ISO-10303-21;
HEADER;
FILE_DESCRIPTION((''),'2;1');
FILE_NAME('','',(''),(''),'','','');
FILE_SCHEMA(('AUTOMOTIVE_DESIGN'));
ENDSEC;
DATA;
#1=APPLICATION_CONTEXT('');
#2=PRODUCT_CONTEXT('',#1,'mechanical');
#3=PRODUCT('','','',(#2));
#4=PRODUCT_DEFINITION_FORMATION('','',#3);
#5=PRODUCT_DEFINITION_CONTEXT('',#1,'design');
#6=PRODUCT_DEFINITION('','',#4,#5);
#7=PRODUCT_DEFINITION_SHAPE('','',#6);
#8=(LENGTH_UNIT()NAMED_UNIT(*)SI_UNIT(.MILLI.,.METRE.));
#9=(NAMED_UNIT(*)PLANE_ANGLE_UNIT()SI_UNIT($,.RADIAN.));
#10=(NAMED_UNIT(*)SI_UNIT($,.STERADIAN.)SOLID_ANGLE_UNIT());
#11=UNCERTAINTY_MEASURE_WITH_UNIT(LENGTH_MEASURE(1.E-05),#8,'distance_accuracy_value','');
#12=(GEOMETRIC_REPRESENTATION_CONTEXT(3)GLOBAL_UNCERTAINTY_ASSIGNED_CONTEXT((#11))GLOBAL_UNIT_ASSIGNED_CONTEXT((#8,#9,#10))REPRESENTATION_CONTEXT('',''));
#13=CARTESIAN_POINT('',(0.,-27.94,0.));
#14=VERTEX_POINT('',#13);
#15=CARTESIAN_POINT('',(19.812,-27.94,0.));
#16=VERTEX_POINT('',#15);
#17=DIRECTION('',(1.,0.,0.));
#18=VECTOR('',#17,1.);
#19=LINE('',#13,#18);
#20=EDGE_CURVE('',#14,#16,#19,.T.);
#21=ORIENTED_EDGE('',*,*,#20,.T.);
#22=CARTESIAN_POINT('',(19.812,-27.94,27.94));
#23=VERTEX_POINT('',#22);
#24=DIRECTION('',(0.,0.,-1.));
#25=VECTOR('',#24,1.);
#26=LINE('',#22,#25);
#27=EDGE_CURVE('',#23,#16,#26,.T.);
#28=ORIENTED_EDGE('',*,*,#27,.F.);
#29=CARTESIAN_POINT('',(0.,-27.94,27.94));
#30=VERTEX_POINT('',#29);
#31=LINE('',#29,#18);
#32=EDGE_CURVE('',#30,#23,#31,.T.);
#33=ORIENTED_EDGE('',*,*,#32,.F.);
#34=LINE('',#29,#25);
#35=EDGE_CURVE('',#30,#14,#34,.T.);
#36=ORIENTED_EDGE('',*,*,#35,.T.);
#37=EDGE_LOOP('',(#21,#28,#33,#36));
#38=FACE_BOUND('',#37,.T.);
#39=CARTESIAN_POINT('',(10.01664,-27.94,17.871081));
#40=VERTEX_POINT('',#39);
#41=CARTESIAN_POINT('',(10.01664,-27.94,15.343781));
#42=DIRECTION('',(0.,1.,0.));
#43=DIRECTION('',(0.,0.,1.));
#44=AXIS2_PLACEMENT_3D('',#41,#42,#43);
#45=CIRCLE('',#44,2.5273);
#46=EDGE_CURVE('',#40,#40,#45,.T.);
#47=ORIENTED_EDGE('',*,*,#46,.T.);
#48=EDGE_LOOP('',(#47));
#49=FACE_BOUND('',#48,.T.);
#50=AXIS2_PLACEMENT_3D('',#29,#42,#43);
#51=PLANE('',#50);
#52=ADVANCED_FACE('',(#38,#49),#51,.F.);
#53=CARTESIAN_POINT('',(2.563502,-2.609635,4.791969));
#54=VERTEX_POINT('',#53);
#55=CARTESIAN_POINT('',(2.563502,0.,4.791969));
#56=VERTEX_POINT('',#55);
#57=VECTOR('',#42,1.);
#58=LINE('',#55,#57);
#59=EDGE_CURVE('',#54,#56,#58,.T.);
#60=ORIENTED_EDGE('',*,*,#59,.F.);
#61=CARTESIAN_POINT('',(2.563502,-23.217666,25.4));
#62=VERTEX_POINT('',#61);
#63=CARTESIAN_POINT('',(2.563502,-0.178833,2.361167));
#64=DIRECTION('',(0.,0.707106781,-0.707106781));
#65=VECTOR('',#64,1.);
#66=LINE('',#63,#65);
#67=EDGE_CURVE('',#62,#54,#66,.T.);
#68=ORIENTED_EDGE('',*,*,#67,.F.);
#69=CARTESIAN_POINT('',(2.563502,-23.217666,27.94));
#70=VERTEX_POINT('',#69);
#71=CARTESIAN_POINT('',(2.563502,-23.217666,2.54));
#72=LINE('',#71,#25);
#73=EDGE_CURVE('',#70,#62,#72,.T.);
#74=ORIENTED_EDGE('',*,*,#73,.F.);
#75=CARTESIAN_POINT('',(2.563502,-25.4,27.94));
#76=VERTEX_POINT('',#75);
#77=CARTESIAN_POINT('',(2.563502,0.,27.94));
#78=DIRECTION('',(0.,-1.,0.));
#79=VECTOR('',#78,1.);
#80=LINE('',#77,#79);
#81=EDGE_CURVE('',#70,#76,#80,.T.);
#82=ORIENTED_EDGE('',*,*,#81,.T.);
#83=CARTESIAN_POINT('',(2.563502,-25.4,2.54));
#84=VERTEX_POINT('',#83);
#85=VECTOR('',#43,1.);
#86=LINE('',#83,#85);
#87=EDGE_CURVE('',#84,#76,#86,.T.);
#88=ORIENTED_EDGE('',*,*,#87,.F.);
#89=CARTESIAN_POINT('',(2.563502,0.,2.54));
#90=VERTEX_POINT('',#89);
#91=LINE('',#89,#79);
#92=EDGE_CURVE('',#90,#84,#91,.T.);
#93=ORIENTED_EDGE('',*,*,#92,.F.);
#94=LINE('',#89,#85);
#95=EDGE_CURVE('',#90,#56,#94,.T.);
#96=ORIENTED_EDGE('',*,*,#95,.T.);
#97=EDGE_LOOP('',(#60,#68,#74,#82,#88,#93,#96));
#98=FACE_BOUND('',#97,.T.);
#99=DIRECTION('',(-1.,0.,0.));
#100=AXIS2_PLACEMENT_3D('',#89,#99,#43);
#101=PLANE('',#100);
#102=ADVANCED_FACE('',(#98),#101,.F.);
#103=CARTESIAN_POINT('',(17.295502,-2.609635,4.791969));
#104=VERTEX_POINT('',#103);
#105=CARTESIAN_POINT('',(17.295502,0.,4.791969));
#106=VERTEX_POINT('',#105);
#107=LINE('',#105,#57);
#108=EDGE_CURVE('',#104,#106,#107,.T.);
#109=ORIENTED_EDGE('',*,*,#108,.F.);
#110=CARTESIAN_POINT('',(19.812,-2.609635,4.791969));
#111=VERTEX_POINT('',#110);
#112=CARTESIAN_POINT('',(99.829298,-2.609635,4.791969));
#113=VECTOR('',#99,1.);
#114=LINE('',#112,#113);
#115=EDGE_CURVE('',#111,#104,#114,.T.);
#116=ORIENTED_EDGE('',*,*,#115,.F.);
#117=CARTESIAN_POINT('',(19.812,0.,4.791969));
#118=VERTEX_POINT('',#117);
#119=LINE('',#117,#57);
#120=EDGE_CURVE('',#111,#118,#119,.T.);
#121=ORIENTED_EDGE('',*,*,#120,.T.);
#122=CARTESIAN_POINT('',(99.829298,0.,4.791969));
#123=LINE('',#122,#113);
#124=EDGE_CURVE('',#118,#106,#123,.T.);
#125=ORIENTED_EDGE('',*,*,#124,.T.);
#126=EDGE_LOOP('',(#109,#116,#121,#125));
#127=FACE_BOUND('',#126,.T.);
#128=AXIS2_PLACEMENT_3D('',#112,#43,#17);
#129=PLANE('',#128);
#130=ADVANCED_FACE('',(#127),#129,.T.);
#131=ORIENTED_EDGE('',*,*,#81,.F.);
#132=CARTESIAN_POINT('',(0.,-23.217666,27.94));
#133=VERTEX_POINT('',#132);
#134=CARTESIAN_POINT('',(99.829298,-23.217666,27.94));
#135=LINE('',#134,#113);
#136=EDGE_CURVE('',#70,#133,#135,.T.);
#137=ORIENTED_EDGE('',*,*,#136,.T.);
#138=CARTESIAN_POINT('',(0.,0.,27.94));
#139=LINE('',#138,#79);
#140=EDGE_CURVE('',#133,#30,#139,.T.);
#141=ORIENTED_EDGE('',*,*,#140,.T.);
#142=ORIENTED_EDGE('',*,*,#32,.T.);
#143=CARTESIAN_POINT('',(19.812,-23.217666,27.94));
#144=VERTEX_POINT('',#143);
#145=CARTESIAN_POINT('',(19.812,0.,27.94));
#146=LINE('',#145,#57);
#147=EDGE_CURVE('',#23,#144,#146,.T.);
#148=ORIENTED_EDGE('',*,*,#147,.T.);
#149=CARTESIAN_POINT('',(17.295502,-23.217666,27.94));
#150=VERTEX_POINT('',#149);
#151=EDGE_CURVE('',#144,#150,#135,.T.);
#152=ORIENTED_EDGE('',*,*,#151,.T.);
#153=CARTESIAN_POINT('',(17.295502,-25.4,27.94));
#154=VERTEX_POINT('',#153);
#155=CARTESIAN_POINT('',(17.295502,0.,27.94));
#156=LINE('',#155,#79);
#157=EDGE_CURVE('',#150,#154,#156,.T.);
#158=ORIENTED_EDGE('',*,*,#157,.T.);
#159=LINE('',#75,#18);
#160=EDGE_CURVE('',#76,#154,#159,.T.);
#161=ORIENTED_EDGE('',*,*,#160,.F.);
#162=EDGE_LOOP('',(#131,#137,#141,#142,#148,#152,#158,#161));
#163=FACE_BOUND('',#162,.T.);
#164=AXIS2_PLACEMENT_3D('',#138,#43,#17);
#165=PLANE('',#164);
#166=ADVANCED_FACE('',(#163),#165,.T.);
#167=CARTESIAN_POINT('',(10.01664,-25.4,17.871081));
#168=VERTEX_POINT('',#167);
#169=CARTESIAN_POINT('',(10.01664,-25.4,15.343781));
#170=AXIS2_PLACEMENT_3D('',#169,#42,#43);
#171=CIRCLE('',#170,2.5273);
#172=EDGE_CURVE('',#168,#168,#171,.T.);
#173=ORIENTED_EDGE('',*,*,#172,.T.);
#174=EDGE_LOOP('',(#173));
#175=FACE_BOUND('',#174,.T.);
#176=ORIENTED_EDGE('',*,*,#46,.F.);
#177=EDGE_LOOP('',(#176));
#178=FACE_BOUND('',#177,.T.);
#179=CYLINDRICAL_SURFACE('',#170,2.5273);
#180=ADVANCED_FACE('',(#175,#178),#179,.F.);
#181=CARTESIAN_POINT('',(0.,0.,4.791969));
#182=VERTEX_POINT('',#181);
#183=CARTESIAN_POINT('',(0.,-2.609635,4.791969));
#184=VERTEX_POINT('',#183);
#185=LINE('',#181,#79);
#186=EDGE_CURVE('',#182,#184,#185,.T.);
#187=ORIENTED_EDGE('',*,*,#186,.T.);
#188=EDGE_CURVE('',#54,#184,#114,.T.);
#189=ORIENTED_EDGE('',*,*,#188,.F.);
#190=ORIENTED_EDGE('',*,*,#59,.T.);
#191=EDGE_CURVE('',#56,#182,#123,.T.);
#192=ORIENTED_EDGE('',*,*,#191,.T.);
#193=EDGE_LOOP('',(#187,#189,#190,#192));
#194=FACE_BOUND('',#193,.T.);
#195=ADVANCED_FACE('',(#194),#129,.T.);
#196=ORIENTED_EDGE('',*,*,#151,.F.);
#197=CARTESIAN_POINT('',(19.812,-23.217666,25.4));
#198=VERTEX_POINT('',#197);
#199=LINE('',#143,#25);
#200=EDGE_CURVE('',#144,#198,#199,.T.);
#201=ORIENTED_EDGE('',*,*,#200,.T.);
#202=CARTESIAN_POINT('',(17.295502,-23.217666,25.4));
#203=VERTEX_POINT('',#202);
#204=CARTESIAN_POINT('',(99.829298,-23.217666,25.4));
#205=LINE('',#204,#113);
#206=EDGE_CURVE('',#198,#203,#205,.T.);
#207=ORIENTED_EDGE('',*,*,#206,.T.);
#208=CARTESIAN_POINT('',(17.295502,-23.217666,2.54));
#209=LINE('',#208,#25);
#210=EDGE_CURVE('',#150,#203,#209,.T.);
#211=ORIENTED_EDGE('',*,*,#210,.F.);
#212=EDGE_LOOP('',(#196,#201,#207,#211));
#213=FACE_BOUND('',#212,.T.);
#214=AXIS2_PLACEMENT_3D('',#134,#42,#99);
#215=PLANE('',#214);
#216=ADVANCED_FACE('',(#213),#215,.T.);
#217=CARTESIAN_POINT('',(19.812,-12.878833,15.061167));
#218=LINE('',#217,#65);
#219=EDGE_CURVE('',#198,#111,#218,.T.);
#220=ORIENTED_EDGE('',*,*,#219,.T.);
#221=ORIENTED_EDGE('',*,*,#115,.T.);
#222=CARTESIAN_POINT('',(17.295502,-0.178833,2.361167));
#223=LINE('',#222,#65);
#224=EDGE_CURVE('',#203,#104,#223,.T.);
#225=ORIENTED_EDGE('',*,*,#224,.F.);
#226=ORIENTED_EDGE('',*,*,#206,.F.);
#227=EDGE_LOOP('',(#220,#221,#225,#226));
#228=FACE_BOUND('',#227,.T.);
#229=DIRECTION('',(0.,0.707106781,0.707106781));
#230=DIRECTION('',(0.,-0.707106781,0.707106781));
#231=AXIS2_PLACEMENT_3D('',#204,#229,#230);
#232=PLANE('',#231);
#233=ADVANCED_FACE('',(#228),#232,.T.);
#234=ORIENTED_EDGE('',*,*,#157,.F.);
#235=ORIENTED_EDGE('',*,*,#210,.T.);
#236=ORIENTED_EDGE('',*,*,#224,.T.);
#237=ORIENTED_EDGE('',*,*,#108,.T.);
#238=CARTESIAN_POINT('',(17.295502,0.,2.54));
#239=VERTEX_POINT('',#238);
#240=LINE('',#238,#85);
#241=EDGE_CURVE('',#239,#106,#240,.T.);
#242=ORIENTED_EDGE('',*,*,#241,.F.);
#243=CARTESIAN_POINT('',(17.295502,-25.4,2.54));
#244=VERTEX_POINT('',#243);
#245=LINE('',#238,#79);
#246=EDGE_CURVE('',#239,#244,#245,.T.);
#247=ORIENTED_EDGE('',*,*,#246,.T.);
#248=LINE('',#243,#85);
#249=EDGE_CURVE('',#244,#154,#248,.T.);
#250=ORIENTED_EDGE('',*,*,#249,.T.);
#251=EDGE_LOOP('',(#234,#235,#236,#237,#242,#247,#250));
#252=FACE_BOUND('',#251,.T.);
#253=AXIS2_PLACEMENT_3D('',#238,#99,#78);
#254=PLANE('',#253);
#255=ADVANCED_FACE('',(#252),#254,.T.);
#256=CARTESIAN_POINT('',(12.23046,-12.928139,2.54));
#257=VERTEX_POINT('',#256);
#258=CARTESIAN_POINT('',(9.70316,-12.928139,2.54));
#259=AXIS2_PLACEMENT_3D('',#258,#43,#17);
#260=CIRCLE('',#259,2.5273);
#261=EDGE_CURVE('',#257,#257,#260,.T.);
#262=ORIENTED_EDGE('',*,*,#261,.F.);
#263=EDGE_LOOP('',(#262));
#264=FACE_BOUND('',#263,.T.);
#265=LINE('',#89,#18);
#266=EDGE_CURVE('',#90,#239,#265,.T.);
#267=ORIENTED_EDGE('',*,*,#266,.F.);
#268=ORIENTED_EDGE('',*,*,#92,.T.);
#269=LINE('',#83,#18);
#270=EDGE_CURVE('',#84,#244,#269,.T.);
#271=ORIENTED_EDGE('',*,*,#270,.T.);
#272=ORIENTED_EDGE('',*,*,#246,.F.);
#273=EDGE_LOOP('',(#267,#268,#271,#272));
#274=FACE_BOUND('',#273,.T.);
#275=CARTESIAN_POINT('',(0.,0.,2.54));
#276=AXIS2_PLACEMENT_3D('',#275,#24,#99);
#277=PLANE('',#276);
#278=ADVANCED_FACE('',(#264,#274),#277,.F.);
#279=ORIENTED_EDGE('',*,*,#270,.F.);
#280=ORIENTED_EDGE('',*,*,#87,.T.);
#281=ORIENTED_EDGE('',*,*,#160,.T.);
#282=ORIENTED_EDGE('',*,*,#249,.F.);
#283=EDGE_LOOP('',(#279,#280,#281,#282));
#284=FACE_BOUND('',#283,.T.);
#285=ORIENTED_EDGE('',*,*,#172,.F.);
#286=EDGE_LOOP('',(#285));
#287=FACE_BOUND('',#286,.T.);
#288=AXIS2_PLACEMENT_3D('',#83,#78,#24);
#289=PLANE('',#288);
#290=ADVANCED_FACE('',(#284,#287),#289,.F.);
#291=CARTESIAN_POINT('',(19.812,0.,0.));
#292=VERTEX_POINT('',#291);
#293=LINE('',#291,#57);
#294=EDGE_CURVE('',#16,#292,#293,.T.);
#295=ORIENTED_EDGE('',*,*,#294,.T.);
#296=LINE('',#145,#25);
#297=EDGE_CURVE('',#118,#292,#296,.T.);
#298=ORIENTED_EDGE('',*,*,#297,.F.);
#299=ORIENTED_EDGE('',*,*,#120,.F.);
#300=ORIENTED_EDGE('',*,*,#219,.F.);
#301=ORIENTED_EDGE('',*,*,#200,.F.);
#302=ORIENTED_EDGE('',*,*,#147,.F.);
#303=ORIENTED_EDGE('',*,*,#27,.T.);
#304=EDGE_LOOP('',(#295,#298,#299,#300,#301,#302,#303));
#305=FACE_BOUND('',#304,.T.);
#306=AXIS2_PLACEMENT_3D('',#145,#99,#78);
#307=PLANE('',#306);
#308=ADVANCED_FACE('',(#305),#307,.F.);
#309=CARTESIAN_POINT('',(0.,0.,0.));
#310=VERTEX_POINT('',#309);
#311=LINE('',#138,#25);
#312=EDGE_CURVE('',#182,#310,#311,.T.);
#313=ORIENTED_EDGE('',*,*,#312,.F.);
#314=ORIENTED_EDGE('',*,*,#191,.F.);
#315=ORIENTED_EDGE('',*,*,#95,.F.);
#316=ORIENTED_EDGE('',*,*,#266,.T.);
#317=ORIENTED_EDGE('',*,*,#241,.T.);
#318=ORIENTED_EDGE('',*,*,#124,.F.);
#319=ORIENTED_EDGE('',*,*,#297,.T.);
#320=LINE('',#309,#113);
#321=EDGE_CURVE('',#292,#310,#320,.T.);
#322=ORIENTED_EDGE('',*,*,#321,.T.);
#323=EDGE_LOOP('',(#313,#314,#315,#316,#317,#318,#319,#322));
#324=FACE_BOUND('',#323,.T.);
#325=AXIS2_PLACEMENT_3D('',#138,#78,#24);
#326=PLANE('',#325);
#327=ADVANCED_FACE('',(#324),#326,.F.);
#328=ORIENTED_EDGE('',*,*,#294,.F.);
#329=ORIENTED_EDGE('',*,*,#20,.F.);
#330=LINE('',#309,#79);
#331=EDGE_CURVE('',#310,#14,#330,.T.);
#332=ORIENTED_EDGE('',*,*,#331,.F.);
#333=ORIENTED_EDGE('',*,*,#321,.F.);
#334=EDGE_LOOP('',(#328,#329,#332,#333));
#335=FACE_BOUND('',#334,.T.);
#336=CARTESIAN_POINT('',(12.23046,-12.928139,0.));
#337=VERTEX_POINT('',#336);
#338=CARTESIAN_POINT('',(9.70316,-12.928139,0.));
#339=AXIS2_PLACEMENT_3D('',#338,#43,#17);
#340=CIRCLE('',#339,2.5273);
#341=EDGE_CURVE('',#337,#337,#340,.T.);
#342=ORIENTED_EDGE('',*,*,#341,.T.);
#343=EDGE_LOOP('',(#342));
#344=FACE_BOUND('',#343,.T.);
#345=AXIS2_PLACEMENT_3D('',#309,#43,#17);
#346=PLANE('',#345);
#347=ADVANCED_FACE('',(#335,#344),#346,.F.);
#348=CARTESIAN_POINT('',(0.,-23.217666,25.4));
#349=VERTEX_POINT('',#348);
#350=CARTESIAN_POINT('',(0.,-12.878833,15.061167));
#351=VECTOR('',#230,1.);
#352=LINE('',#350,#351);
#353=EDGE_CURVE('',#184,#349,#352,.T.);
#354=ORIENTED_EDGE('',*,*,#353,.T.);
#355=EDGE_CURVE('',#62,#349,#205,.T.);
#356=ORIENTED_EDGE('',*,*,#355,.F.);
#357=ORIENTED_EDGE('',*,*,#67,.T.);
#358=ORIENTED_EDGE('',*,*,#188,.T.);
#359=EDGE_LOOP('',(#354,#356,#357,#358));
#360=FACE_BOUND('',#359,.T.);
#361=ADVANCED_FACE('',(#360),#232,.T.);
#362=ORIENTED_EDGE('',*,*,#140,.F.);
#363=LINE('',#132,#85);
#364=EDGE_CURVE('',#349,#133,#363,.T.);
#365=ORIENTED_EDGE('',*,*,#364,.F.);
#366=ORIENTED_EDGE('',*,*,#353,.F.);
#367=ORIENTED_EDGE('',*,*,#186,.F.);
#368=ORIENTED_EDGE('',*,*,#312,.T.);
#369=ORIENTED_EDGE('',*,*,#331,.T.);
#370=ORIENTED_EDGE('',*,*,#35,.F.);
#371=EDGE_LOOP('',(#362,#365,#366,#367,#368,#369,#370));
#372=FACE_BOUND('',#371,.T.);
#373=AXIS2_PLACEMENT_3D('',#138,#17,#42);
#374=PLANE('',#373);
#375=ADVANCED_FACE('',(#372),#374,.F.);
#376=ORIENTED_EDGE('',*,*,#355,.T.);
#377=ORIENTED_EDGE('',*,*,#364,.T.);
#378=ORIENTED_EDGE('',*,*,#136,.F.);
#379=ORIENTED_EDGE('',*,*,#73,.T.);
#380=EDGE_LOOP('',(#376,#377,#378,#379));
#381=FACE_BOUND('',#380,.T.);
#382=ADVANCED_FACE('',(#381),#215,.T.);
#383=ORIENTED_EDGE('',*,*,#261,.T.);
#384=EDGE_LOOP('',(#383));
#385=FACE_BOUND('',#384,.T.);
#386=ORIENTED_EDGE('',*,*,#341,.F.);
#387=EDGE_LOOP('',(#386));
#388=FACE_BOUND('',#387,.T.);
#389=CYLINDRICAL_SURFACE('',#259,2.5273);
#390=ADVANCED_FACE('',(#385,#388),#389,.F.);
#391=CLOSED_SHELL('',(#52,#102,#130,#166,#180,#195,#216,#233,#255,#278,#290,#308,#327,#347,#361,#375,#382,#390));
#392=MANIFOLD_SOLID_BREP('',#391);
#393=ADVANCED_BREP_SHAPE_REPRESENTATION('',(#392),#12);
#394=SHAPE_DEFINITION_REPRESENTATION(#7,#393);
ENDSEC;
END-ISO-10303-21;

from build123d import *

# Parameters (mm, degrees)
SKETCH1_W                  = 19.812
SKETCH1_H                  = 27.94
BOSS_EXTRUDE1_DEPTH        = 27.94
SKETCH2_W                  = 14.732
SKETCH2_H                  = 25.4
CUT_EXTRUDE2_DEPTH         = 25.4
CUT_EXTRUDE3_DEPTH         = 45.201838695
CUT_EXTRUDE3_DEPTH_BACK    = 45.201838695
F_8_0_199_DIAMETER_HOLE1_D = 5.0546
F_8_0_199_DIAMETER_HOLE2_D = 5.0546


with BuildPart() as part:
    # Sketch1 → Boss-Extrude1 (new body)
    with BuildSketch(Plane.XY):
        with Locations((9.906, -13.97)):
            Rectangle(SKETCH1_W, SKETCH1_H)
    extrude(amount=BOSS_EXTRUDE1_DEPTH)

    # Sketch2 → Cut-Extrude2 (cut)
    with BuildSketch(Plane.XY.offset(27.94)):
        with Locations((9.92950186, -12.7)):
            Rectangle(SKETCH2_W, SKETCH2_H)
    extrude(amount=-CUT_EXTRUDE2_DEPTH, mode=Mode.SUBTRACT)

    # Sketch3 → Cut-Extrude3 (cut, two sides: drawn at the far end of the back side and taken through both)
    with BuildSketch(Plane(origin=(19.812, 0, 0), x_dir=(0, 0, -1), z_dir=(1, 0, 0)).offset(-CUT_EXTRUDE3_DEPTH_BACK)):
        Polygon((-27.94, 89.026253865), (-27.94, 0), (-27.94, -23.217666002), (-25.4, -23.217666002), (-4.791969325, -2.609635327), (-4.791969325, 0), (-4.791969325, 89.026253865), (-4.791969325, 267.078761596), (-27.94, 267.078761596), align=None)
    extrude(amount=CUT_EXTRUDE3_DEPTH + CUT_EXTRUDE3_DEPTH_BACK, mode=Mode.SUBTRACT)

    # #8 (0.199) Diameter Hole1 (through all)
    with Locations(Plane(origin=(0, -25.4, 0), x_dir=(1, 0, 0), z_dir=(0, 1, 0))):
        with Locations((10.016640072, -15.343780892)):
            Hole(F_8_0_199_DIAMETER_HOLE1_D / 2)

    # #8 (0.199) Diameter Hole2 (through all)
    with Locations(Plane.XY.offset(2.54)):
        with Locations((9.703159868, -12.928139324)):
            Hole(F_8_0_199_DIAMETER_HOLE2_D / 2)


solid = part.part
